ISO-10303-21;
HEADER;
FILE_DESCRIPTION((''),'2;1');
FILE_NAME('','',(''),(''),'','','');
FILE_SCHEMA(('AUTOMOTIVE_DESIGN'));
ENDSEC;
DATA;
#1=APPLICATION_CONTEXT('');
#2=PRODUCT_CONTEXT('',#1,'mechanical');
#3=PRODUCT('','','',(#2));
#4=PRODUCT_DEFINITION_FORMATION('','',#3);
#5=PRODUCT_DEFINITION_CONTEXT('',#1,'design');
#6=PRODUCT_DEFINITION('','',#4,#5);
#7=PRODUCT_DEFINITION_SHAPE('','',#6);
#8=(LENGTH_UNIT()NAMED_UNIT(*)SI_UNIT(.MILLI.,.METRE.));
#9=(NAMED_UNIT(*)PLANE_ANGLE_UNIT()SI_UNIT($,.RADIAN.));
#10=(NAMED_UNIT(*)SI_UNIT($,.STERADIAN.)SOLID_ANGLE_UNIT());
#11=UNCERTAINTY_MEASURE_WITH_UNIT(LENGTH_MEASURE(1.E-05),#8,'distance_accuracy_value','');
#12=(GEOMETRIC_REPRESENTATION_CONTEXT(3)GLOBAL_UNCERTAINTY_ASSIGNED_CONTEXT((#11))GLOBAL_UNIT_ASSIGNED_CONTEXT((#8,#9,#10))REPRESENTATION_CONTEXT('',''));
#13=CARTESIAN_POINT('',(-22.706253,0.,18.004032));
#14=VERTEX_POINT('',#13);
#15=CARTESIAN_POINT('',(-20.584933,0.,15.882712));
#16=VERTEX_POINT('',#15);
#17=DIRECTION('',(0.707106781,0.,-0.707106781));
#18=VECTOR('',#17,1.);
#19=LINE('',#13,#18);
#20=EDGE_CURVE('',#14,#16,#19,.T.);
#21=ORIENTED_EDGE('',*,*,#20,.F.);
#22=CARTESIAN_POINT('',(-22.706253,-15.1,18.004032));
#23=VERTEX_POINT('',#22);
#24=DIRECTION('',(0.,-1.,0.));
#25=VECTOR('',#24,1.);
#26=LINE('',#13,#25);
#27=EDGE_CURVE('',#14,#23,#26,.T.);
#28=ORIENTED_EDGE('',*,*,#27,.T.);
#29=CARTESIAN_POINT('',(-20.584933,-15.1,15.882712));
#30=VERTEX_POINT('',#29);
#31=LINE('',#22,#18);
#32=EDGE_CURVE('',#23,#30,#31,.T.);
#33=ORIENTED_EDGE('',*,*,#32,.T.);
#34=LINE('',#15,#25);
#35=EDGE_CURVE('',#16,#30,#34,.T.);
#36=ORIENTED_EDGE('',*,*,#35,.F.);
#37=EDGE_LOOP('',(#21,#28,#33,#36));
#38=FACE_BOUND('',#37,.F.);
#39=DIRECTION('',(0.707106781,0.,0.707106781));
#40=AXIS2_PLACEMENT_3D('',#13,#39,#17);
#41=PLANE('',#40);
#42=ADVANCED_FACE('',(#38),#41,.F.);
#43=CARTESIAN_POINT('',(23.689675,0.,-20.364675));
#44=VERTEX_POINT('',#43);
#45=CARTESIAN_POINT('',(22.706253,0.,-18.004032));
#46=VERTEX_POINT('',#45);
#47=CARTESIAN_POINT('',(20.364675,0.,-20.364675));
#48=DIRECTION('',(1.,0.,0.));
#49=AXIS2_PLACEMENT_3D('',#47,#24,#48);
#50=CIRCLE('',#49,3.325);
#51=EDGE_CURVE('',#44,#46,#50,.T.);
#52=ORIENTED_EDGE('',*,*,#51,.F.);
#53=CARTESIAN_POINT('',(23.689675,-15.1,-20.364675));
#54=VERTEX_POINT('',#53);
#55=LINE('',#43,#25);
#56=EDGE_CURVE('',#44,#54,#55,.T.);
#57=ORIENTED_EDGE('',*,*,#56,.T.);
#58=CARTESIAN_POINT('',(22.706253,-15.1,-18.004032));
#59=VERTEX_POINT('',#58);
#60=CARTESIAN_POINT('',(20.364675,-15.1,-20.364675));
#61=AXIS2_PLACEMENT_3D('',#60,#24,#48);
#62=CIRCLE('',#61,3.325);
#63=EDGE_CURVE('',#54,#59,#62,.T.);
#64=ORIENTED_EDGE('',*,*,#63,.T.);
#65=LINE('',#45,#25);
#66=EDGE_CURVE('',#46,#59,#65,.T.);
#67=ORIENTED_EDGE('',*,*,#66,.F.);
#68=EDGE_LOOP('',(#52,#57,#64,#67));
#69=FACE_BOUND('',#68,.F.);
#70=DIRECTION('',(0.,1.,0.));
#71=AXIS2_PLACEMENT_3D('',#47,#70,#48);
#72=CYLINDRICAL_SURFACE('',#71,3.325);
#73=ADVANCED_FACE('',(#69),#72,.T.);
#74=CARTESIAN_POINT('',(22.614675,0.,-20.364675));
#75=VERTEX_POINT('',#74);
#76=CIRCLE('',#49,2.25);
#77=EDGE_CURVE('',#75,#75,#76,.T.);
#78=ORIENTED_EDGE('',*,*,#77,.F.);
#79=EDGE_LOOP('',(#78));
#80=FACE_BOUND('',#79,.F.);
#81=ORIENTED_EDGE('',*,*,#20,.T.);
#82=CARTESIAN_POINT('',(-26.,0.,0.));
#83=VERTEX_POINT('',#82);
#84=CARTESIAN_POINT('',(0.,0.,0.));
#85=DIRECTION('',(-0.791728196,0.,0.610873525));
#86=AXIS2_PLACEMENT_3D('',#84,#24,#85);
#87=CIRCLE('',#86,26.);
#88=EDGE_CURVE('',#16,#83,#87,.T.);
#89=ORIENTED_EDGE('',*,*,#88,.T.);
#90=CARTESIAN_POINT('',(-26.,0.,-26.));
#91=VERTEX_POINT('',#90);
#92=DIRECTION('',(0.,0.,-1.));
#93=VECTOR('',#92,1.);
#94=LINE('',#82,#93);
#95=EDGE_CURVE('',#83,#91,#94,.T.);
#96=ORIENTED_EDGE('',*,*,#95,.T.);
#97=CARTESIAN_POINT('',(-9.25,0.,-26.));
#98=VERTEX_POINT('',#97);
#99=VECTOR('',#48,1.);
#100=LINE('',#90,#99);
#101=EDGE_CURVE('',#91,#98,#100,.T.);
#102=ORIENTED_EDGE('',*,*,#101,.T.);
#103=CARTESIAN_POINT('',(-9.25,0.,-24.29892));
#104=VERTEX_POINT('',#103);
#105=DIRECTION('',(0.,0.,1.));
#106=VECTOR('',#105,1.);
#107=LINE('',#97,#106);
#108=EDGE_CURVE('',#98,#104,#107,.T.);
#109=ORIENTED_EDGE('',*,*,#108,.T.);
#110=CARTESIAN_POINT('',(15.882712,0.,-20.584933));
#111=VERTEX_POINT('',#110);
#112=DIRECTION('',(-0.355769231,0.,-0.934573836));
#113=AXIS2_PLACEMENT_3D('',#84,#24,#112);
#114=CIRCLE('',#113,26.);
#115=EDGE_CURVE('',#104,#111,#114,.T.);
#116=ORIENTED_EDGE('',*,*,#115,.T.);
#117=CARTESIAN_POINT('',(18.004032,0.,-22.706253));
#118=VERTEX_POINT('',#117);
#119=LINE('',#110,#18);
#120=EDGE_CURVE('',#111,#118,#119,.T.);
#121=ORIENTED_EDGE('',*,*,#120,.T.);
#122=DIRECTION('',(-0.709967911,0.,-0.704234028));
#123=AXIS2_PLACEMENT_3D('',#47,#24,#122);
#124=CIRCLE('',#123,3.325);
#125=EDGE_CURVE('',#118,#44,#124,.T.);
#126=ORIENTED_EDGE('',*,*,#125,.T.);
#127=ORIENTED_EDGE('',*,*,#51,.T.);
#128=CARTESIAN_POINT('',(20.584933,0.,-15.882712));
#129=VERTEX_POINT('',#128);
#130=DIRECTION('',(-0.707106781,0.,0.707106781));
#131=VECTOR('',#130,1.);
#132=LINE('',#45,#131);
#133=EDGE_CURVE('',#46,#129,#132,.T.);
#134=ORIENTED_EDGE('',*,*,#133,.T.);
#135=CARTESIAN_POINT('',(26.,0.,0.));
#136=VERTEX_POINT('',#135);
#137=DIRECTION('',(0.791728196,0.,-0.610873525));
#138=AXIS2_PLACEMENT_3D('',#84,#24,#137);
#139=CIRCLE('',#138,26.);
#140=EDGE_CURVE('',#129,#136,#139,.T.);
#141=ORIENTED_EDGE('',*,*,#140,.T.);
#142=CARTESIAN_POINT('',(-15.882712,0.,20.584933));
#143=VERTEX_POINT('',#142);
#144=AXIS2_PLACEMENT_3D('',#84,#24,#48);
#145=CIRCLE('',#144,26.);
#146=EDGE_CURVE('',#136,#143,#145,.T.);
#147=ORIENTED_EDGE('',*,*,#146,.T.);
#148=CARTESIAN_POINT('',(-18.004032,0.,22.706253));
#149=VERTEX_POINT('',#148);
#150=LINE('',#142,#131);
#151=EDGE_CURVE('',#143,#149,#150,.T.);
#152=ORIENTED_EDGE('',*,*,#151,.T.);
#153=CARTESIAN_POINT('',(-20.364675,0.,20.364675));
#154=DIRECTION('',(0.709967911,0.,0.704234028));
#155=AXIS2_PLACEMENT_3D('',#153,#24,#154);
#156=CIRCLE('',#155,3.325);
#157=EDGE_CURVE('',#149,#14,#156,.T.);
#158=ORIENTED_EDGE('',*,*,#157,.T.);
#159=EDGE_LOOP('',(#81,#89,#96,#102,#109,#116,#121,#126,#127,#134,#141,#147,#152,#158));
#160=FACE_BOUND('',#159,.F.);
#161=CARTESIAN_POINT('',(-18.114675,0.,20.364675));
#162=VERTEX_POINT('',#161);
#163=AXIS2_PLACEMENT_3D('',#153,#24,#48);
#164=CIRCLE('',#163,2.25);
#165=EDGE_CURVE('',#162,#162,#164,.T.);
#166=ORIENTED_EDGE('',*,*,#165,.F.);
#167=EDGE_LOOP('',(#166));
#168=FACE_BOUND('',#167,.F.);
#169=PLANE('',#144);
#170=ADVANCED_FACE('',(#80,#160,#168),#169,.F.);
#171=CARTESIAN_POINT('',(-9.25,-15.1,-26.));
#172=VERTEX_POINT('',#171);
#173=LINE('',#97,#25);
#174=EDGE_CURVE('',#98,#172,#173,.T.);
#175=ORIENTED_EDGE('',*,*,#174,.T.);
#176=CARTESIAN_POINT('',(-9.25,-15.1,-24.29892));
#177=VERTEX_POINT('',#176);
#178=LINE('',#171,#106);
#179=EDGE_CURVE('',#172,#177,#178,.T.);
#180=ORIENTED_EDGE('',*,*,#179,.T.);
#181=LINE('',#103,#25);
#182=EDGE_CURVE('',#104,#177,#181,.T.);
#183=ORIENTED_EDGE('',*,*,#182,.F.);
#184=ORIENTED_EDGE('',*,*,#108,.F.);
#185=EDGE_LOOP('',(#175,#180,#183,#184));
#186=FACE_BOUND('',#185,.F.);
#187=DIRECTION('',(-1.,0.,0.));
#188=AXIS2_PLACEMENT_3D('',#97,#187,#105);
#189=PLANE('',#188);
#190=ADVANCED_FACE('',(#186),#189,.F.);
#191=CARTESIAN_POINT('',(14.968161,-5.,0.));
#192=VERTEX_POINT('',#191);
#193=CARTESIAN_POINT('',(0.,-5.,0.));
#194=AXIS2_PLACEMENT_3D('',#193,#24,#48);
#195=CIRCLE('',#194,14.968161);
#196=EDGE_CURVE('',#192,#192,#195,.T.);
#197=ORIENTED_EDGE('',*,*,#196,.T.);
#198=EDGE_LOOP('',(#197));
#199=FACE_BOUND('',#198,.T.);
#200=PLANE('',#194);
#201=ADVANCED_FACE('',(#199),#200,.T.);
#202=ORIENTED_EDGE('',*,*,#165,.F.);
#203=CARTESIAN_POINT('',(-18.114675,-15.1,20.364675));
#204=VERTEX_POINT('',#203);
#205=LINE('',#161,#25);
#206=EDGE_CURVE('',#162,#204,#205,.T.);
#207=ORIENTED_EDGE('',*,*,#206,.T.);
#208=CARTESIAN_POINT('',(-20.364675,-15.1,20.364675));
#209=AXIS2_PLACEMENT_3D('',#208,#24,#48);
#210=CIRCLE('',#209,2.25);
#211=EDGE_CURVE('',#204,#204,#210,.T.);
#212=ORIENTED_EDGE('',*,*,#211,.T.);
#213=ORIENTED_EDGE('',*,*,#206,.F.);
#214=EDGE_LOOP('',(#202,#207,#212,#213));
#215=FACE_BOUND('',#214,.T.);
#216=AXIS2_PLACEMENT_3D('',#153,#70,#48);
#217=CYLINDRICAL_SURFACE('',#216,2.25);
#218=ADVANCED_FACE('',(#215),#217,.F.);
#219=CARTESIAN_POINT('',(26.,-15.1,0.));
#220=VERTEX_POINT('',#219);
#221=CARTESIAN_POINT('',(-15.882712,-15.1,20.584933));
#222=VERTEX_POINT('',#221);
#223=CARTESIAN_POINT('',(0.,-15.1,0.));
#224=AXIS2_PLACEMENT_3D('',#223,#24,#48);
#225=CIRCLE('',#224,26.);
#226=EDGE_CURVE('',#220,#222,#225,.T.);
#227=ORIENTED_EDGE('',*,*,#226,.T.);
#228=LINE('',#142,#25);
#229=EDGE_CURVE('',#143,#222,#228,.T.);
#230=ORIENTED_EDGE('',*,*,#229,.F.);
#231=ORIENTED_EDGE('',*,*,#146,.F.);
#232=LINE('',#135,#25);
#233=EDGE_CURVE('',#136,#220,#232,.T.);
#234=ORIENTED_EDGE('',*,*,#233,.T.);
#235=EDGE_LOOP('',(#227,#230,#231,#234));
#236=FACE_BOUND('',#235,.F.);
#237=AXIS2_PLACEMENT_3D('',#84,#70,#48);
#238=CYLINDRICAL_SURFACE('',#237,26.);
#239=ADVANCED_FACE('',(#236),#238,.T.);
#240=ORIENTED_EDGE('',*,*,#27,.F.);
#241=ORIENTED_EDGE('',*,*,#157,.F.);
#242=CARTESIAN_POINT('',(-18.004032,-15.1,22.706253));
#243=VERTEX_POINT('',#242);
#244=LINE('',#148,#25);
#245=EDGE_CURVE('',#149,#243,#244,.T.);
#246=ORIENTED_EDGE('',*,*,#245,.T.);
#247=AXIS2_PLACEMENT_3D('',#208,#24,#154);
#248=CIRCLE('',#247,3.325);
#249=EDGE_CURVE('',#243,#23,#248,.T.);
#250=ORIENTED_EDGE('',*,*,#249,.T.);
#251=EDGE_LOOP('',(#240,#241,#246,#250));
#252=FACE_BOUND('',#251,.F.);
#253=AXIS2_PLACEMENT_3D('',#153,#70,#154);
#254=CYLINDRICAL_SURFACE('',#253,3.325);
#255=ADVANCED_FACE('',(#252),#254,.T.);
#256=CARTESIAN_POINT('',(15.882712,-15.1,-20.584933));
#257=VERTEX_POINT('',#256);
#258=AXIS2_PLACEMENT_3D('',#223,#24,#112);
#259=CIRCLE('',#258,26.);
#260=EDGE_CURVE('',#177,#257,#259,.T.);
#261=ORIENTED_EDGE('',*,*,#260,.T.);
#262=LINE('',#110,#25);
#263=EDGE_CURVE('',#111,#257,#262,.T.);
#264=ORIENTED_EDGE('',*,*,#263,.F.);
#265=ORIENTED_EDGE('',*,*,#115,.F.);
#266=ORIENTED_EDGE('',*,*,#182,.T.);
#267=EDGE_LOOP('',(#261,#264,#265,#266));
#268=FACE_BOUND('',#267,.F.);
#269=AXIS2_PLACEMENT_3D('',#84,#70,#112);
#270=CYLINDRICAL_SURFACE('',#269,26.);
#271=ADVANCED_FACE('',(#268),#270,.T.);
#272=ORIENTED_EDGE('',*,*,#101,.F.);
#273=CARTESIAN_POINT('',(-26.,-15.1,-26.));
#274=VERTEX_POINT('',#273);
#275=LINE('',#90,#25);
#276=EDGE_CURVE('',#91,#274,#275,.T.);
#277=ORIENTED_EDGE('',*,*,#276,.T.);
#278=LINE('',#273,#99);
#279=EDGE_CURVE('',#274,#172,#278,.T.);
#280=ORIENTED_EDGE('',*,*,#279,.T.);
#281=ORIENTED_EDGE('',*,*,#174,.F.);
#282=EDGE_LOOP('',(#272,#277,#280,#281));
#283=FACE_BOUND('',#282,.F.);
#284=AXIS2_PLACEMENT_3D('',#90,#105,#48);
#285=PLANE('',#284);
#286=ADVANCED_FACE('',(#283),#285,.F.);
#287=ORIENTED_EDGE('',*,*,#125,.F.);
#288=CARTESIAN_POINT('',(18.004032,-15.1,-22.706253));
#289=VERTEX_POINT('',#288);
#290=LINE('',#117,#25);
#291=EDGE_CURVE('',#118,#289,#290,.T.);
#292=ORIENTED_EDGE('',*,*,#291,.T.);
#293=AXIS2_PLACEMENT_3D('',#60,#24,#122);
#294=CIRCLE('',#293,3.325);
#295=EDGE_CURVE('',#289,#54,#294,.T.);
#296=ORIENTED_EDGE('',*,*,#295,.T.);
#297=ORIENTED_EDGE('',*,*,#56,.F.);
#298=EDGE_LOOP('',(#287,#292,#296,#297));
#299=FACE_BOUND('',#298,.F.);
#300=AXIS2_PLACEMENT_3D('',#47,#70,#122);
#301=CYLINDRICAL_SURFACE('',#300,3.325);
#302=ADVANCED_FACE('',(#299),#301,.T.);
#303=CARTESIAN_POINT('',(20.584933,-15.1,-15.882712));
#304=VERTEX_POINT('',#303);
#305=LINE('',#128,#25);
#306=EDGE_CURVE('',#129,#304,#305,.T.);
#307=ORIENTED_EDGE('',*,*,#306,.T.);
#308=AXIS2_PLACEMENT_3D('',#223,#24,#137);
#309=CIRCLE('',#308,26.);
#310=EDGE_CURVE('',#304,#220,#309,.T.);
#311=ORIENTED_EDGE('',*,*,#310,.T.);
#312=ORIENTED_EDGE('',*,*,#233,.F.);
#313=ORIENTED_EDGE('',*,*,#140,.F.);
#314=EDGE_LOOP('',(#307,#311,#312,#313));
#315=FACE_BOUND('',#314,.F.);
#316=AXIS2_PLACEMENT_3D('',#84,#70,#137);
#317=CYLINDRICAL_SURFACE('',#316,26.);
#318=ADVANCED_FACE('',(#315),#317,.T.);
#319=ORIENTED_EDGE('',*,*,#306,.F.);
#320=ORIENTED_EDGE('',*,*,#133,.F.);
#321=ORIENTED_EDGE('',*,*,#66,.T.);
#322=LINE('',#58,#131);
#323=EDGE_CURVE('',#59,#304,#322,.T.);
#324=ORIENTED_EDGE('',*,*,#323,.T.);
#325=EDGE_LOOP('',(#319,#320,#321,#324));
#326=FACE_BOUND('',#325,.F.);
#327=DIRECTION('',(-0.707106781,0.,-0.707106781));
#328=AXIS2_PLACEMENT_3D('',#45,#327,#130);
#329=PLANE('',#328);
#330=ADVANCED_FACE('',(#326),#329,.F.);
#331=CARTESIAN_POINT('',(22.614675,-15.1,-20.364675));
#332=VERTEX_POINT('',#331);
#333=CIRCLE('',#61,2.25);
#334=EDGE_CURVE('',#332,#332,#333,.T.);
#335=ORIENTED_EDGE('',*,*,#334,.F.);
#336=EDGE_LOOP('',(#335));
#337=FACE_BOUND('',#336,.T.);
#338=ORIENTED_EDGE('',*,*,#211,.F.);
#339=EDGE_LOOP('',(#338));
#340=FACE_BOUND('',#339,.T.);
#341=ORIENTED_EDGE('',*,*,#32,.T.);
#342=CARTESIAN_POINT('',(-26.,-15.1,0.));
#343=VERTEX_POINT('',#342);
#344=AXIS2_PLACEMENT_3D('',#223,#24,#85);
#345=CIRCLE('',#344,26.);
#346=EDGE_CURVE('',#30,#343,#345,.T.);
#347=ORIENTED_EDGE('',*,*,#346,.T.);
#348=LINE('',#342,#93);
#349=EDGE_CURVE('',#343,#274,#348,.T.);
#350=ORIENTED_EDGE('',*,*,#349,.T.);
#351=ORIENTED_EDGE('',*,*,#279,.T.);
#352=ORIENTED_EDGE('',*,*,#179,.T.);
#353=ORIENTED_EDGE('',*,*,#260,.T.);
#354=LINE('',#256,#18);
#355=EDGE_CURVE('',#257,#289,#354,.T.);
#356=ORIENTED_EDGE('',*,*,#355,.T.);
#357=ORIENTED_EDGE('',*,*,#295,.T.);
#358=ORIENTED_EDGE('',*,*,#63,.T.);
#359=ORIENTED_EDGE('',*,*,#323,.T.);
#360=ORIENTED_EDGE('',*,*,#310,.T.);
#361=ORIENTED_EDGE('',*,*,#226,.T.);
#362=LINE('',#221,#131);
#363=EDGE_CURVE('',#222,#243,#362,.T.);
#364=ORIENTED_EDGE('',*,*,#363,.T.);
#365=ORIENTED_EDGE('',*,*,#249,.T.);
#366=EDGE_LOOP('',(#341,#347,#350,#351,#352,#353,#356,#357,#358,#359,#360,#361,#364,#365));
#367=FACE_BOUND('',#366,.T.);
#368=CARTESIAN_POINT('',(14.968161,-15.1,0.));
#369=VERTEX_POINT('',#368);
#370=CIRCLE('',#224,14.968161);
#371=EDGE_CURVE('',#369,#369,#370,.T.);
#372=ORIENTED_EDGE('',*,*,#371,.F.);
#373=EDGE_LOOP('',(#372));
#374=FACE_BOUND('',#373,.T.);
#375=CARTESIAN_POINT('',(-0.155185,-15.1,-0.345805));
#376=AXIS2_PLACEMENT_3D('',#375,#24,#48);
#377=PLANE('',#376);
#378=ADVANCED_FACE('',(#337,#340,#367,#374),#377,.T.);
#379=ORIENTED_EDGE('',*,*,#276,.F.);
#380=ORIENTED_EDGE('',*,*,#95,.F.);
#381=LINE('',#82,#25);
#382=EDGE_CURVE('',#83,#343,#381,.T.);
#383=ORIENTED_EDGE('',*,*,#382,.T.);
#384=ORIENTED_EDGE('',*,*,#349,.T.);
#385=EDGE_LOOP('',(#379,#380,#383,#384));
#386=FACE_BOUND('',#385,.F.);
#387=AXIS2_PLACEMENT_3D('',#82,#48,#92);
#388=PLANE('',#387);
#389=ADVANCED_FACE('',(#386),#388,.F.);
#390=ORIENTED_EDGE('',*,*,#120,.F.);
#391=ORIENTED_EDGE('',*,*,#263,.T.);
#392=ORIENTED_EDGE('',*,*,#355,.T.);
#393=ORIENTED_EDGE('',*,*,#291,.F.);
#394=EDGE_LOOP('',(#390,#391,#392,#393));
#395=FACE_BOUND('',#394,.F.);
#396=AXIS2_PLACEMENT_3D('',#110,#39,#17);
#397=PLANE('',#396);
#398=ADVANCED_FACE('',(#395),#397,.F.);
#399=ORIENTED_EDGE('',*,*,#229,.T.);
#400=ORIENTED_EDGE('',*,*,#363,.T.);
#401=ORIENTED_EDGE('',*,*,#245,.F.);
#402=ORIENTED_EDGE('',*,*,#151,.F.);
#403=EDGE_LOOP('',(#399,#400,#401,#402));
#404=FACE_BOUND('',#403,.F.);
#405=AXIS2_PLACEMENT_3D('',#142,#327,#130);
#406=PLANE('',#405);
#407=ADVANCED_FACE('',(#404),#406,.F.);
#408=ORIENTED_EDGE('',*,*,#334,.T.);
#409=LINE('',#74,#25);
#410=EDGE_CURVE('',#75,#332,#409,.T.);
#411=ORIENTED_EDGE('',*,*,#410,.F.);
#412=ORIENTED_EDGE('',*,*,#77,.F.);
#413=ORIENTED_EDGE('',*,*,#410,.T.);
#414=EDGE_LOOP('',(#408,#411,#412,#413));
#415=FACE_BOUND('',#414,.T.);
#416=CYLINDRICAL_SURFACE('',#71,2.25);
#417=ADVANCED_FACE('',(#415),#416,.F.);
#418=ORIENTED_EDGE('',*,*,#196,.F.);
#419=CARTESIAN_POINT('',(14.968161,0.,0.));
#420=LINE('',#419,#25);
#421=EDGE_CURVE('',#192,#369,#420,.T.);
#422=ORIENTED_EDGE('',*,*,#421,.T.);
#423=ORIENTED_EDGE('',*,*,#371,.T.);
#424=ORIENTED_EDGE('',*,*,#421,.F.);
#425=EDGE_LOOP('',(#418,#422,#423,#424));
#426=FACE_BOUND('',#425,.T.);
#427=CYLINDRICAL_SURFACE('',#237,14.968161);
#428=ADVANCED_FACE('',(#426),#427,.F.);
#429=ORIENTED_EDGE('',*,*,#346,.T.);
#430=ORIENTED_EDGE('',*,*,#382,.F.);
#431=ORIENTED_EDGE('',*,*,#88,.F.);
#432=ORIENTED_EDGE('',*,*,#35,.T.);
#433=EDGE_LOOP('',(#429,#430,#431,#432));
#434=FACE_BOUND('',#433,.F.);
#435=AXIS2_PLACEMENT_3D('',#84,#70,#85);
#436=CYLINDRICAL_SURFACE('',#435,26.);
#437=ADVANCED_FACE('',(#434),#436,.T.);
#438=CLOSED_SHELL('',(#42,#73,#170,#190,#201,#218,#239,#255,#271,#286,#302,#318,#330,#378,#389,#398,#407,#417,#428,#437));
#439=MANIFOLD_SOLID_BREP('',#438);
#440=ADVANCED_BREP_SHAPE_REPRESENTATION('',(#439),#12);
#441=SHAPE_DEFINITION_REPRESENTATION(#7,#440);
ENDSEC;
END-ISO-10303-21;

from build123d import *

# Parameters (mm, degrees)
F0_R     = 14.9681612706
F0_R_2   = 2.25
F1_DEPTH = 15.1
F2_DEPTH = 5


with BuildPart() as f1:
    # F0 (on Front) → F1 (new body)
    with BuildSketch(Plane.XZ):
        with BuildLine():
            ThreePointArc((20.5849330967, -15.8827116515), (24.6090253821, -8.3902246539), (26, 0))
            ThreePointArc((26, 0), (11.4684239776, 23.3339934745), (-15.8827116515, 20.5849330967))
            ThreePointArc((-15.8827116515, 20.5849330967), (-16.5200544248, 20.0770466404), (-17.1411666244, 19.5494349472))
            ThreePointArc((-17.1411666244, 19.5494349472), (-18.0135452507, 18.0135452507), (-19.5494349472, 17.1411666244))
            ThreePointArc((-19.5494349472, 17.1411666244), (-20.0770466404, 16.5200544248), (-20.5849330967, 15.8827116515))
            ThreePointArc((-20.5849330967, 15.8827116515), (-24.6090253821, 8.3902246539), (-26, 0))
            ThreePointArc((-26, 0), (-21.4067746286, -14.7563545634), (-9.25, -24.2989197291))
            ThreePointArc((-9.25, -24.2989197291), (3.8008736021, -25.7206796151), (15.8827116515, -20.5849330967))
            ThreePointArc((15.8827116515, -20.5849330967), (16.5200544248, -20.0770466404), (17.1411666244, -19.5494349472))
            ThreePointArc((17.1411666244, -19.5494349472), (18.0135452507, -18.0135452507), (19.5494349472, -17.1411666244))
            ThreePointArc((19.5494349472, -17.1411666244), (20.0770466404, -16.5200544248), (20.5849330967, -15.8827116515))
        make_face()
        Circle(F0_R, mode=Mode.SUBTRACT)
        with BuildLine():
            ThreePointArc((-17.1411666244, 19.5494349472), (-16.5200544248, 20.0770466404), (-15.8827116515, 20.5849330967))
            Line((-15.8827116515, 20.5849330967), (-18.0040319951, 22.7062534403))
            ThreePointArc((-18.0040319951, 22.7062534403), (-17.2902026619, 21.630867625), (-17.0396752982, 20.3646752982))
            ThreePointArc((-17.0396752982, 20.3646752982), (-17.0651456847, 19.9539085398), (-17.1411666244, 19.5494349472))
        make_face()
        with BuildLine():
            Line((22.7062534403, -18.0040319951), (20.5849330967, -15.8827116515))
            ThreePointArc((20.5849330967, -15.8827116515), (20.0770466404, -16.5200544248), (19.5494349472, -17.1411666244))
            ThreePointArc((19.5494349472, -17.1411666244), (21.2413513644, -17.1573299668), (22.7062534403, -18.0040319951))
        make_face()
        with BuildLine():
            ThreePointArc((-19.5494349472, 17.1411666244), (-18.3847763109, 18.3847763109), (-17.1411666244, 19.5494349472))
            ThreePointArc((-17.1411666244, 19.5494349472), (-17.0651456847, 19.9539085398), (-17.0396752982, 20.3646752982))
            ThreePointArc((-17.0396752982, 20.3646752982), (-17.2902026619, 21.630867625), (-18.0040319951, 22.7062534403))
            ThreePointArc((-18.0040319951, 22.7062534403), (-22.7158053456, 22.7158053456), (-22.7062534403, 18.0040319951))
            ThreePointArc((-22.7062534403, 18.0040319951), (-21.2413513644, 17.1573299668), (-19.5494349472, 17.1411666244))
        make_face()
        with Locations((-20.3646752982, 20.3646752982)):
            Circle(F0_R_2, mode=Mode.SUBTRACT)
        with BuildLine():
            ThreePointArc((22.7062534403, -18.0040319951), (21.2413513644, -17.1573299668), (19.5494349472, -17.1411666244))
            ThreePointArc((19.5494349472, -17.1411666244), (18.3847763109, -18.3847763109), (17.1411666244, -19.5494349472))
            ThreePointArc((17.1411666244, -19.5494349472), (17.1573299668, -21.2413513644), (18.0040319951, -22.7062534403))
            ThreePointArc((18.0040319951, -22.7062534403), (21.630867625, -23.4391479345), (23.6896752982, -20.3646752982))
            ThreePointArc((23.6896752982, -20.3646752982), (23.4339889285, -19.0860280291), (22.7062534403, -18.0040319951))
        make_face()
        with Locations((20.3646752982, -20.3646752982)):
            Circle(F0_R_2, mode=Mode.SUBTRACT)
        with BuildLine():
            ThreePointArc((-20.5849330967, 15.8827116515), (-20.0770466404, 16.5200544248), (-19.5494349472, 17.1411666244))
            ThreePointArc((-19.5494349472, 17.1411666244), (-21.2413513644, 17.1573299668), (-22.7062534403, 18.0040319951))
            Line((-22.7062534403, 18.0040319951), (-20.5849330967, 15.8827116515))
        make_face()
        with BuildLine():
            ThreePointArc((18.0040319951, -22.7062534403), (17.1573299668, -21.2413513644), (17.1411666244, -19.5494349472))
            ThreePointArc((17.1411666244, -19.5494349472), (16.5200544248, -20.0770466404), (15.8827116515, -20.5849330967))
            Line((15.8827116515, -20.5849330967), (18.0040319951, -22.7062534403))
        make_face()
        with BuildLine():
            ThreePointArc((-9.25, -24.2989197291), (-21.4067746286, -14.7563545634), (-26, 0))
            Line((-26, 0), (-26, -26))
            Line((-26, -26), (-9.25, -26))
            Line((-9.25, -26), (-9.25, -24.2989197291))
        make_face()
        with BuildLine():
            ThreePointArc((-19.5494349472, 17.1411666244), (-18.0135452507, 18.0135452507), (-17.1411666244, 19.5494349472))
            ThreePointArc((-17.1411666244, 19.5494349472), (-18.3847763109, 18.3847763109), (-19.5494349472, 17.1411666244))
        make_face()
        with BuildLine():
            ThreePointArc((17.1411666244, -19.5494349472), (18.3847763109, -18.3847763109), (19.5494349472, -17.1411666244))
            ThreePointArc((19.5494349472, -17.1411666244), (18.0135452507, -18.0135452507), (17.1411666244, -19.5494349472))
        make_face()
    extrude(amount=F1_DEPTH)

    # F0 (on Front) → F2 (join)
    with BuildSketch(Plane.XZ):
        Circle(F0_R)
    extrude(amount=F2_DEPTH)


solid = f1.part
